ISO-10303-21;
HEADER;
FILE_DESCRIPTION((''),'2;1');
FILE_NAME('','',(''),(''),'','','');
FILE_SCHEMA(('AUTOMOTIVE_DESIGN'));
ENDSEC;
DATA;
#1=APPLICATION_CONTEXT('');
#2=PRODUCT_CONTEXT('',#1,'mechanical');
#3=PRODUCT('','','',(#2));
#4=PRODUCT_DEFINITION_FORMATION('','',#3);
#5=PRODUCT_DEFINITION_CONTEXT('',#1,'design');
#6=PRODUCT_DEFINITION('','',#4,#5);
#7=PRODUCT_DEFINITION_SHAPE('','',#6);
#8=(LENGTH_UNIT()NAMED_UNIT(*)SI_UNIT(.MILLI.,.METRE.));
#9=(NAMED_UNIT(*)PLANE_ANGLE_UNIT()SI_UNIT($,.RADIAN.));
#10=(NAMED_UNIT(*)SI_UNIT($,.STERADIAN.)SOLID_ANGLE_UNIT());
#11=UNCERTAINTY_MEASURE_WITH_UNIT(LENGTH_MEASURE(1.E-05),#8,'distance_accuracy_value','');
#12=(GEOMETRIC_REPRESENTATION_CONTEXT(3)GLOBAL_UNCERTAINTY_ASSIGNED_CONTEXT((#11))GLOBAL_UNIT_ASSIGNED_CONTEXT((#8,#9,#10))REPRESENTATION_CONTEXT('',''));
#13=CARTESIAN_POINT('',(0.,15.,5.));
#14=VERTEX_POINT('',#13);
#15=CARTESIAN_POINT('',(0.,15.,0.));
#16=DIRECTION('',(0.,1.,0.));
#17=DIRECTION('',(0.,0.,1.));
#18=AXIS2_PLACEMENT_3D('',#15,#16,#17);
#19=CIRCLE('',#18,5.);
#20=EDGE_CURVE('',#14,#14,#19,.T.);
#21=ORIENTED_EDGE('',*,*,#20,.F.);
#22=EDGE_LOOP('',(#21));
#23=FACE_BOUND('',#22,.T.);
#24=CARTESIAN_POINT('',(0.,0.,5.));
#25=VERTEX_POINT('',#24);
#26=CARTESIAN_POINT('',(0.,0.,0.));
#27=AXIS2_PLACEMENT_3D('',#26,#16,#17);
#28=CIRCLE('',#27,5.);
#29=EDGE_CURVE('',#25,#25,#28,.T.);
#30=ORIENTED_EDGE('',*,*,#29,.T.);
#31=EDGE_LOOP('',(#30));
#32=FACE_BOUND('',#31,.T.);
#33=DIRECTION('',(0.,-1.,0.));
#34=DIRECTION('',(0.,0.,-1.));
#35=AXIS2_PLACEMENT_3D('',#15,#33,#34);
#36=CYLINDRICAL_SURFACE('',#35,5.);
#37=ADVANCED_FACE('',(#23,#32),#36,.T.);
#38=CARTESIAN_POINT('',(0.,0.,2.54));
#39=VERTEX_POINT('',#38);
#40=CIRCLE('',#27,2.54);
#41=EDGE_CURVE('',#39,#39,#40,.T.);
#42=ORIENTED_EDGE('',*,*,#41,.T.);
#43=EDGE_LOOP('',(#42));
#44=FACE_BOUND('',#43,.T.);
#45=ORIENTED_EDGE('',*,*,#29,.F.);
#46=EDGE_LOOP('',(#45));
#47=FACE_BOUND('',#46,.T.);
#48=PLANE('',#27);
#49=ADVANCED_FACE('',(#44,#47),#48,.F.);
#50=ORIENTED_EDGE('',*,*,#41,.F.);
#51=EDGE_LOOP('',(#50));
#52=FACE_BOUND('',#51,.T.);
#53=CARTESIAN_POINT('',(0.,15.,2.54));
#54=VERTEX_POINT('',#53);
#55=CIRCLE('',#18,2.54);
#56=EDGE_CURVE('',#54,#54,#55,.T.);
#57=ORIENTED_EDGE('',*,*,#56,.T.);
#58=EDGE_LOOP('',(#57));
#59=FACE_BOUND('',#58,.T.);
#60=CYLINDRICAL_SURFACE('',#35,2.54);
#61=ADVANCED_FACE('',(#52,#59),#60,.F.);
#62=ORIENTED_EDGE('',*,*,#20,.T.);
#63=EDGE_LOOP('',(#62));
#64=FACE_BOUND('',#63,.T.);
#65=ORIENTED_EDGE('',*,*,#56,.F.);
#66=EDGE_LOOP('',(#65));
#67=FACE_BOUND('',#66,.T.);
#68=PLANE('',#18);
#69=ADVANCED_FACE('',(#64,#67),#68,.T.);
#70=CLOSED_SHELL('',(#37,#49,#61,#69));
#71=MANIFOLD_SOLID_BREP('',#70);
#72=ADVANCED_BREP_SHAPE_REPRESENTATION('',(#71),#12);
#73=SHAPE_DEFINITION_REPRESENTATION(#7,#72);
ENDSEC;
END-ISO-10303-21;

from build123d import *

# Parameters (mm, degrees)
SKETCH_1_R      = 5
SKETCH_1_R_2    = 2.54
EXTRUDE_1_DEPTH = 15


with BuildPart() as part:
    # 草图1 → 凸台-拉伸1 (new body)
    with BuildSketch(Plane(origin=(0, 0, 0), x_dir=(1, 0, 0), z_dir=(0, 1, 0))):
        with Locations(Location((0, 0, 0), (0, 0, 270))):
            Circle(SKETCH_1_R)
        with Locations(Location((0, 0, 0), (0, 0, 270))):
            Circle(SKETCH_1_R_2, mode=Mode.SUBTRACT)
    extrude(amount=EXTRUDE_1_DEPTH)


solid = part.part
